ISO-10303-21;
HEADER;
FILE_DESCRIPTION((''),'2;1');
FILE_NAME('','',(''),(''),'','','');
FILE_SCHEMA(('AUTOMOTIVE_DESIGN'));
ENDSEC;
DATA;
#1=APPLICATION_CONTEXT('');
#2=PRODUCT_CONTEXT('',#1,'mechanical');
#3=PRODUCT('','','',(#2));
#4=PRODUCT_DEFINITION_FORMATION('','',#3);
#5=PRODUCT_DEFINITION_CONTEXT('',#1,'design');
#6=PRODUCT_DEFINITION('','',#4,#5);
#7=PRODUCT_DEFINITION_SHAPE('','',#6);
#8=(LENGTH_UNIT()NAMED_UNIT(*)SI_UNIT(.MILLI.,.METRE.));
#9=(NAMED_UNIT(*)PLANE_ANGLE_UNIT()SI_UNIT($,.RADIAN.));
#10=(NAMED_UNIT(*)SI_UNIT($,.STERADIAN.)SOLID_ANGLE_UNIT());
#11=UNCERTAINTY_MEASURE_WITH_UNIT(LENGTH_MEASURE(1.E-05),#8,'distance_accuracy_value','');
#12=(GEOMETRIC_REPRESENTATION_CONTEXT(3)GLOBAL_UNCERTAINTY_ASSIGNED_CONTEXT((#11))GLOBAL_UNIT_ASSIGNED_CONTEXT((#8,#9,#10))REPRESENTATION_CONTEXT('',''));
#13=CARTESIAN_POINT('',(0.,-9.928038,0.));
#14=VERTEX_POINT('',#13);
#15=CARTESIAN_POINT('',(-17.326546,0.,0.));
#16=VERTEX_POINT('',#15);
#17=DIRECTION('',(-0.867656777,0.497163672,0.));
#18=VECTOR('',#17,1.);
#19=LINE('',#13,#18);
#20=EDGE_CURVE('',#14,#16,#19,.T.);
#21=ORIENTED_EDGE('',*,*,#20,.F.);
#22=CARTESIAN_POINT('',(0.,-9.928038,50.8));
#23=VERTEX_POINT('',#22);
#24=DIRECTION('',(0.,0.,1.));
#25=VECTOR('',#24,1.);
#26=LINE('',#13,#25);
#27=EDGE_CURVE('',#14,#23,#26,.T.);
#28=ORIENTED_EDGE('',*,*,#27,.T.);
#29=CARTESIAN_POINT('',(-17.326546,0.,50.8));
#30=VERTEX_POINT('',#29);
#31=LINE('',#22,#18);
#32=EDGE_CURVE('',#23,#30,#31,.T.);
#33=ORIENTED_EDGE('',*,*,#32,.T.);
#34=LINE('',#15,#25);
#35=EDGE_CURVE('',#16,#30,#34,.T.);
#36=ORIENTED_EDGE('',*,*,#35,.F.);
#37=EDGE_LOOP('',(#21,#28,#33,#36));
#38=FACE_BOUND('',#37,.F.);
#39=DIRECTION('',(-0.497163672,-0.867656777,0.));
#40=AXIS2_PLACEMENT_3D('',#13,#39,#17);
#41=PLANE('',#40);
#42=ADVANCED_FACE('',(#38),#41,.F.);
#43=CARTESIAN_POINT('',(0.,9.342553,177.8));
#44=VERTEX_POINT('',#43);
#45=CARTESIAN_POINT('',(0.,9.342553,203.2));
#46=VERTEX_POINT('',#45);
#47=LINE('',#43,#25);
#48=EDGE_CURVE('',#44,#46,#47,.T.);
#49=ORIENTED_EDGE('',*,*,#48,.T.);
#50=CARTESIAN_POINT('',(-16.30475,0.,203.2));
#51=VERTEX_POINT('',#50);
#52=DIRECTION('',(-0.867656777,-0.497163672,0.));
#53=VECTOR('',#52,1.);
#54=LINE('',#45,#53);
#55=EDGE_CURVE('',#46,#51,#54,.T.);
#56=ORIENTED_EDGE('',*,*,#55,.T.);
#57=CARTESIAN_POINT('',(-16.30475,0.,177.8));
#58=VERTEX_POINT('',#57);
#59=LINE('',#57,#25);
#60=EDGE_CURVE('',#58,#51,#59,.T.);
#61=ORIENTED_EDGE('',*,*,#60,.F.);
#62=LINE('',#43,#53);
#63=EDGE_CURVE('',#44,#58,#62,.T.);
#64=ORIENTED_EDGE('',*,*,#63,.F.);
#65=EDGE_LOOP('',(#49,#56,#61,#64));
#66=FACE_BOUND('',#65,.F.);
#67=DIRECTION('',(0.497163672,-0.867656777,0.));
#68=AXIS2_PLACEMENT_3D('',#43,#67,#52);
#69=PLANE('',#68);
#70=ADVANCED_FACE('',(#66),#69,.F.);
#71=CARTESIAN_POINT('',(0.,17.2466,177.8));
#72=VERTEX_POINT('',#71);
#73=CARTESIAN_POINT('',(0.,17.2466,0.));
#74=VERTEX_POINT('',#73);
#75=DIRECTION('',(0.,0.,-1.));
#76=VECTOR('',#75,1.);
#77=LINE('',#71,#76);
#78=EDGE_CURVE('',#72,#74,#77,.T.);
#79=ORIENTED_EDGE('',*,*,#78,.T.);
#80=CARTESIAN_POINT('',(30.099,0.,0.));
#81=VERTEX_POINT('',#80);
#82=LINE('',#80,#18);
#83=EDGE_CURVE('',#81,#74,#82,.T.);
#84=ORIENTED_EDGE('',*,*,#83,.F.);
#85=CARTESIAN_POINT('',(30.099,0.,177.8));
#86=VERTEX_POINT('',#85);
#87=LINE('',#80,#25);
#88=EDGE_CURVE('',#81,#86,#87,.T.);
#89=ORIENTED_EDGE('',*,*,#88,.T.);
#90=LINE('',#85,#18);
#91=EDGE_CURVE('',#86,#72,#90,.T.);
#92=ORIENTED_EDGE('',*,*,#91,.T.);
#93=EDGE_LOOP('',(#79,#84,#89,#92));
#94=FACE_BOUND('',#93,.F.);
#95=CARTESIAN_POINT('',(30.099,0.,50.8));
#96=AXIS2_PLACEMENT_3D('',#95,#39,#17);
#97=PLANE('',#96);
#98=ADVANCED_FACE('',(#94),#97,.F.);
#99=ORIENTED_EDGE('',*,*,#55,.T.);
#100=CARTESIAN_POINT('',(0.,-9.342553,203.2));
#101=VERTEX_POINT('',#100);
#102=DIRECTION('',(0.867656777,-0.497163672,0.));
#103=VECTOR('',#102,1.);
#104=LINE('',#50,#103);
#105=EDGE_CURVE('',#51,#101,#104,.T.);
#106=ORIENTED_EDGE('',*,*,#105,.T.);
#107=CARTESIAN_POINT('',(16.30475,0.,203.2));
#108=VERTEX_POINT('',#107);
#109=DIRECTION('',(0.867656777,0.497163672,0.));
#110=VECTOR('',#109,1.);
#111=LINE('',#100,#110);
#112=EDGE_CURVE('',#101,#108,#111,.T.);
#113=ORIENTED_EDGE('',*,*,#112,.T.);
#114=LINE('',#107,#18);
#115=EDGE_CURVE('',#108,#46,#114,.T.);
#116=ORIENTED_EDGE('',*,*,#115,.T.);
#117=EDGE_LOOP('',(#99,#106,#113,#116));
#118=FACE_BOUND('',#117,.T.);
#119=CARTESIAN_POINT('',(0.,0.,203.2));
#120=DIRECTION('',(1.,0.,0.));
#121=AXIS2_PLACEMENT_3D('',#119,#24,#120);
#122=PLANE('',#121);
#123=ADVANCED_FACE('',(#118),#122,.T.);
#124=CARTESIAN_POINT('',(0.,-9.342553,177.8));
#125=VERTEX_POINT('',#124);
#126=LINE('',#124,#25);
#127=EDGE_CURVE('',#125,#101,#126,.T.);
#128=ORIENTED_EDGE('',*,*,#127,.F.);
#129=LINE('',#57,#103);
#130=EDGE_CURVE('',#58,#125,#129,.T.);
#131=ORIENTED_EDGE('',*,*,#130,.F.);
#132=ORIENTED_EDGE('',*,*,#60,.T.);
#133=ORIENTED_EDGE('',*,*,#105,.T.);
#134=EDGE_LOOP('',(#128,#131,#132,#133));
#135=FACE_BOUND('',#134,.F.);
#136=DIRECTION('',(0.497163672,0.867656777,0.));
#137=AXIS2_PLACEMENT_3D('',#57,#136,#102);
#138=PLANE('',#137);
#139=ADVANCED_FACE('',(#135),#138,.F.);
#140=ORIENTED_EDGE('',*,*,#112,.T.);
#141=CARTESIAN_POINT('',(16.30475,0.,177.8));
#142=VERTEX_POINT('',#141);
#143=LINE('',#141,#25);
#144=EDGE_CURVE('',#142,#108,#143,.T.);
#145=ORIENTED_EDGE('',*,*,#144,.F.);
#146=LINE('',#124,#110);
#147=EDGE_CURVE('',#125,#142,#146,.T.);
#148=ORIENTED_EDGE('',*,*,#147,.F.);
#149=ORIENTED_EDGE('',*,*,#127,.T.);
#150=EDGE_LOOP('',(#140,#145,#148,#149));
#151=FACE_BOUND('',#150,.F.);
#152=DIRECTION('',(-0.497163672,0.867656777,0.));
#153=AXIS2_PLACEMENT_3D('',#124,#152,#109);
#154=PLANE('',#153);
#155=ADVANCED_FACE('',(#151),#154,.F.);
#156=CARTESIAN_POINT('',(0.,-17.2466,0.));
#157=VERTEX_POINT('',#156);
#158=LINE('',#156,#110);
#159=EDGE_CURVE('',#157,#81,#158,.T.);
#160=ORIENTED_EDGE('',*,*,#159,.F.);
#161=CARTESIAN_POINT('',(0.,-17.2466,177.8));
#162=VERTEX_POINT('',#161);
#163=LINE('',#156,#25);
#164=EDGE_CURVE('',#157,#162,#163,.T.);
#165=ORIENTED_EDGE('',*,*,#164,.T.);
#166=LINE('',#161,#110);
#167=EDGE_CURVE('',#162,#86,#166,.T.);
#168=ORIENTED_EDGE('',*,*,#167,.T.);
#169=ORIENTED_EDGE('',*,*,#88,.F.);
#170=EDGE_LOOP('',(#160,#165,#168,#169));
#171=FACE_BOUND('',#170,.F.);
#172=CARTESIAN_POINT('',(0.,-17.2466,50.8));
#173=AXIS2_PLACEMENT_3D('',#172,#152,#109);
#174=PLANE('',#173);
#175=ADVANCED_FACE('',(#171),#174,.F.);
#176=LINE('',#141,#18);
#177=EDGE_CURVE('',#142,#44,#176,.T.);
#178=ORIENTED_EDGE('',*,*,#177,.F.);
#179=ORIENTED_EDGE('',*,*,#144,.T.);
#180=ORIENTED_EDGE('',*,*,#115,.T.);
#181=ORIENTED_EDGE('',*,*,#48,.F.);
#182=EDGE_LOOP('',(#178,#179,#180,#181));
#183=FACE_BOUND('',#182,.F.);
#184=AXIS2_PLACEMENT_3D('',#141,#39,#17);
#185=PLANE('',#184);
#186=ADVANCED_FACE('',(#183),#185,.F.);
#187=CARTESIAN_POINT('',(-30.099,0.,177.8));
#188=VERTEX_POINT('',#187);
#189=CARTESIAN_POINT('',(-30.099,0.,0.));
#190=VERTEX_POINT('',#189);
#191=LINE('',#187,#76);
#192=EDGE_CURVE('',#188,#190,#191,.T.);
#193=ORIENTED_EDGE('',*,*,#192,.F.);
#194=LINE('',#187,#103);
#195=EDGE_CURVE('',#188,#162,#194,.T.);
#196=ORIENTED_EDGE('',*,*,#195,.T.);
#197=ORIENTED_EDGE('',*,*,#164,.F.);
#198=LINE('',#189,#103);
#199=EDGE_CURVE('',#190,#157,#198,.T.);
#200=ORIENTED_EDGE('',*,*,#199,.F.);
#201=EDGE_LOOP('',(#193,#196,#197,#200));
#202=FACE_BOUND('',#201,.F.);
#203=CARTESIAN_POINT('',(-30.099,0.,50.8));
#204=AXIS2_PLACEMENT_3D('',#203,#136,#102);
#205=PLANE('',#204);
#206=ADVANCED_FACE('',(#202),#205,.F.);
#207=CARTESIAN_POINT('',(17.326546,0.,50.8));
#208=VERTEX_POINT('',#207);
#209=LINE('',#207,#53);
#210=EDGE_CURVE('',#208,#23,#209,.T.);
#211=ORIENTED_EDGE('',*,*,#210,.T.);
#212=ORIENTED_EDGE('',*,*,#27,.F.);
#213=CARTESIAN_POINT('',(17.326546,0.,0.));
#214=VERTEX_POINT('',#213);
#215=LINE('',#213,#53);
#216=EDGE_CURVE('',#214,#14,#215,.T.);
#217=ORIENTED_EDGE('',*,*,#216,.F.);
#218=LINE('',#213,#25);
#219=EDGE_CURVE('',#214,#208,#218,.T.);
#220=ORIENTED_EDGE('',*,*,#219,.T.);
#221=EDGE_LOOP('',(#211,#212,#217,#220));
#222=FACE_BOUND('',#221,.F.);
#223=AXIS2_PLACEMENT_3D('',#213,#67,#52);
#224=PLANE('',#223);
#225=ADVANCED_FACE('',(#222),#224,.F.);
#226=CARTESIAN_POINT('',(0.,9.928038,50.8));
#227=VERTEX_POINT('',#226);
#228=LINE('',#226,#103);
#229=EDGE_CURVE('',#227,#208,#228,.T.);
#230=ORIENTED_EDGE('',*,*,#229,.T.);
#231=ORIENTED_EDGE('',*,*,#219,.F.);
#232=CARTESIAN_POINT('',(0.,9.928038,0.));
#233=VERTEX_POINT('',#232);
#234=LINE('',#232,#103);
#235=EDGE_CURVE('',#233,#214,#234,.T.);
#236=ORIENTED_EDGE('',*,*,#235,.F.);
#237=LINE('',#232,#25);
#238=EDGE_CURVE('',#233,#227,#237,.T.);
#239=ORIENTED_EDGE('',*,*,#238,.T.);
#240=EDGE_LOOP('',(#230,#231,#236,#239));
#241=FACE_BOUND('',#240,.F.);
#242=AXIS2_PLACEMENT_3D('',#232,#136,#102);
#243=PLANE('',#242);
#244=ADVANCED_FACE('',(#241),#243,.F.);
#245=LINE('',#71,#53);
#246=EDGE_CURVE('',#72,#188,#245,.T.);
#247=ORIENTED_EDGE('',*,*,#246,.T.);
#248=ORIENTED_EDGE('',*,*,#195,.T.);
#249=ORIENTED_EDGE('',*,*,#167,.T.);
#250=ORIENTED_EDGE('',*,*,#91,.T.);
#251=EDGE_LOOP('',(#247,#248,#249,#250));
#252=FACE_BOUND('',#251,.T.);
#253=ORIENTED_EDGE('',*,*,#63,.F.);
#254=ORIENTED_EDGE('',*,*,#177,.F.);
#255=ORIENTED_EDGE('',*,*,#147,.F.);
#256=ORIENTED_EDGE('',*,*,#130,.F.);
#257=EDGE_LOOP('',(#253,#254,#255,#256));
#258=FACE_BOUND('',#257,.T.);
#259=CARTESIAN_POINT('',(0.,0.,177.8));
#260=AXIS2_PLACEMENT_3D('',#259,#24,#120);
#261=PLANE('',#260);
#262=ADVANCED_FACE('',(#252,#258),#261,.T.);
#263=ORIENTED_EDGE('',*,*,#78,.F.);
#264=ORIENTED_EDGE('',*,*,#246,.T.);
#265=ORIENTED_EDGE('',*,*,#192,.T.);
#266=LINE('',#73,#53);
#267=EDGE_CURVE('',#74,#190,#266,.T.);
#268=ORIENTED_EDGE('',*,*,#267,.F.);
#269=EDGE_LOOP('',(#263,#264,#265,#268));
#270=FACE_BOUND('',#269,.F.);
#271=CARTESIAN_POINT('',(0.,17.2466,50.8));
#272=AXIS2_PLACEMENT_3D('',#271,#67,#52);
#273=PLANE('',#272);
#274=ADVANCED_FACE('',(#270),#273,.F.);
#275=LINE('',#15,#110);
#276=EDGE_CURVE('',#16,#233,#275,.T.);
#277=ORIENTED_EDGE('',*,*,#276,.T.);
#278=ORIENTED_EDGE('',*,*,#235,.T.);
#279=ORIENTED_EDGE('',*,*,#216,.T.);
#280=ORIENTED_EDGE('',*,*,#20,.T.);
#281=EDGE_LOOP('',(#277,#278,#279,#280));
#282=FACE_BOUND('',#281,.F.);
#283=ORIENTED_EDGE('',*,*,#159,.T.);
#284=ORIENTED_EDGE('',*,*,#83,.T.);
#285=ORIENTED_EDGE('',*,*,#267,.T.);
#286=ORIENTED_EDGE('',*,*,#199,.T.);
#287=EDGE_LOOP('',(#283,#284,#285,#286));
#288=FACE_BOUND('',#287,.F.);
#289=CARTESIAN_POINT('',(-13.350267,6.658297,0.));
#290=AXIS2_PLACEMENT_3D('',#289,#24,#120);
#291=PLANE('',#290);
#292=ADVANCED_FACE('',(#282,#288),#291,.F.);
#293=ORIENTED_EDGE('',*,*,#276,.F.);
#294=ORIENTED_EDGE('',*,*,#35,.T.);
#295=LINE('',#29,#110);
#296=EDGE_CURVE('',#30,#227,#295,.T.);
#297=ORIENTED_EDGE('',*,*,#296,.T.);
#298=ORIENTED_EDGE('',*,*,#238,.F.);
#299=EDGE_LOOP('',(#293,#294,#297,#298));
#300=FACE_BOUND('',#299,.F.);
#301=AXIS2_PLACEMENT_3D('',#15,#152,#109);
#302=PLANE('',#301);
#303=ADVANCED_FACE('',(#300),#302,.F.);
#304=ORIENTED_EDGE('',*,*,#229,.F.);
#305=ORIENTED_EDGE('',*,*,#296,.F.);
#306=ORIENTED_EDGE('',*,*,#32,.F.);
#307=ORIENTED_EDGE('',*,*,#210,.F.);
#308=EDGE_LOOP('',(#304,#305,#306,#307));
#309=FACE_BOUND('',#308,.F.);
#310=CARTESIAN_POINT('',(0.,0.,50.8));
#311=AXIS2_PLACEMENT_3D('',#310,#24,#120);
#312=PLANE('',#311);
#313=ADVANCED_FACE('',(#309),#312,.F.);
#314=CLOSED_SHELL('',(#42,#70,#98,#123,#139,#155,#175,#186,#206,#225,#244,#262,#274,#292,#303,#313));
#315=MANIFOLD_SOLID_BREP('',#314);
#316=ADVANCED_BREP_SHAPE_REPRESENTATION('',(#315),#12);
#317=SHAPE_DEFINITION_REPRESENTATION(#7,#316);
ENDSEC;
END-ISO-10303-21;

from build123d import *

# Parameters (mm, degrees)
F1_DEPTH = 50.8
F3_DEPTH = 127
F5_DEPTH = 25.4


with BuildPart() as f1:
    # F0 (on Top) → F1 (new body)
    with BuildSketch(Plane.XY):
        Polygon((-30.099, 0), (-17.3265462716, 0), (0, 9.9280379058), (0, 17.2466), align=None)
        Polygon((0, 17.2466), (0, 9.9280379058), (17.3265462716, 0), (30.099, 0), align=None)
        Polygon((30.099, 0), (17.3265462716, 0), (0, -9.9280379058), (0, -17.2466), align=None)
        Polygon((0, -9.9280379058), (-17.3265462716, 0), (-30.099, 0), (0, -17.2466), align=None)
    extrude(amount=F1_DEPTH)

    # F2 (on face) → F3 (join)
    with BuildSketch(Plane.XY.offset(50.8)):
        Polygon((-30.099, 0), (0, -17.2466), (30.099, 0), (0, 17.2466), align=None)
        Polygon((0, -9.9280379058), (-17.3265462716, 0), (0, 9.9280379058), (17.3265462716, 0), align=None, mode=Mode.SUBTRACT)
        Polygon((0, 9.9280379058), (-17.3265462716, 0), (0, -9.9280379058), (17.3265462716, 0), align=None)
    extrude(amount=F3_DEPTH)

    # F4 (on face) → F5 (join)
    with BuildSketch(Plane.XY.offset(177.8)):
        Polygon((0, 9.3425529383), (-16.3047499733, 0), (0, -9.3425529383), (16.3047499733, 0), align=None)
    extrude(amount=F5_DEPTH)


solid = f1.part
